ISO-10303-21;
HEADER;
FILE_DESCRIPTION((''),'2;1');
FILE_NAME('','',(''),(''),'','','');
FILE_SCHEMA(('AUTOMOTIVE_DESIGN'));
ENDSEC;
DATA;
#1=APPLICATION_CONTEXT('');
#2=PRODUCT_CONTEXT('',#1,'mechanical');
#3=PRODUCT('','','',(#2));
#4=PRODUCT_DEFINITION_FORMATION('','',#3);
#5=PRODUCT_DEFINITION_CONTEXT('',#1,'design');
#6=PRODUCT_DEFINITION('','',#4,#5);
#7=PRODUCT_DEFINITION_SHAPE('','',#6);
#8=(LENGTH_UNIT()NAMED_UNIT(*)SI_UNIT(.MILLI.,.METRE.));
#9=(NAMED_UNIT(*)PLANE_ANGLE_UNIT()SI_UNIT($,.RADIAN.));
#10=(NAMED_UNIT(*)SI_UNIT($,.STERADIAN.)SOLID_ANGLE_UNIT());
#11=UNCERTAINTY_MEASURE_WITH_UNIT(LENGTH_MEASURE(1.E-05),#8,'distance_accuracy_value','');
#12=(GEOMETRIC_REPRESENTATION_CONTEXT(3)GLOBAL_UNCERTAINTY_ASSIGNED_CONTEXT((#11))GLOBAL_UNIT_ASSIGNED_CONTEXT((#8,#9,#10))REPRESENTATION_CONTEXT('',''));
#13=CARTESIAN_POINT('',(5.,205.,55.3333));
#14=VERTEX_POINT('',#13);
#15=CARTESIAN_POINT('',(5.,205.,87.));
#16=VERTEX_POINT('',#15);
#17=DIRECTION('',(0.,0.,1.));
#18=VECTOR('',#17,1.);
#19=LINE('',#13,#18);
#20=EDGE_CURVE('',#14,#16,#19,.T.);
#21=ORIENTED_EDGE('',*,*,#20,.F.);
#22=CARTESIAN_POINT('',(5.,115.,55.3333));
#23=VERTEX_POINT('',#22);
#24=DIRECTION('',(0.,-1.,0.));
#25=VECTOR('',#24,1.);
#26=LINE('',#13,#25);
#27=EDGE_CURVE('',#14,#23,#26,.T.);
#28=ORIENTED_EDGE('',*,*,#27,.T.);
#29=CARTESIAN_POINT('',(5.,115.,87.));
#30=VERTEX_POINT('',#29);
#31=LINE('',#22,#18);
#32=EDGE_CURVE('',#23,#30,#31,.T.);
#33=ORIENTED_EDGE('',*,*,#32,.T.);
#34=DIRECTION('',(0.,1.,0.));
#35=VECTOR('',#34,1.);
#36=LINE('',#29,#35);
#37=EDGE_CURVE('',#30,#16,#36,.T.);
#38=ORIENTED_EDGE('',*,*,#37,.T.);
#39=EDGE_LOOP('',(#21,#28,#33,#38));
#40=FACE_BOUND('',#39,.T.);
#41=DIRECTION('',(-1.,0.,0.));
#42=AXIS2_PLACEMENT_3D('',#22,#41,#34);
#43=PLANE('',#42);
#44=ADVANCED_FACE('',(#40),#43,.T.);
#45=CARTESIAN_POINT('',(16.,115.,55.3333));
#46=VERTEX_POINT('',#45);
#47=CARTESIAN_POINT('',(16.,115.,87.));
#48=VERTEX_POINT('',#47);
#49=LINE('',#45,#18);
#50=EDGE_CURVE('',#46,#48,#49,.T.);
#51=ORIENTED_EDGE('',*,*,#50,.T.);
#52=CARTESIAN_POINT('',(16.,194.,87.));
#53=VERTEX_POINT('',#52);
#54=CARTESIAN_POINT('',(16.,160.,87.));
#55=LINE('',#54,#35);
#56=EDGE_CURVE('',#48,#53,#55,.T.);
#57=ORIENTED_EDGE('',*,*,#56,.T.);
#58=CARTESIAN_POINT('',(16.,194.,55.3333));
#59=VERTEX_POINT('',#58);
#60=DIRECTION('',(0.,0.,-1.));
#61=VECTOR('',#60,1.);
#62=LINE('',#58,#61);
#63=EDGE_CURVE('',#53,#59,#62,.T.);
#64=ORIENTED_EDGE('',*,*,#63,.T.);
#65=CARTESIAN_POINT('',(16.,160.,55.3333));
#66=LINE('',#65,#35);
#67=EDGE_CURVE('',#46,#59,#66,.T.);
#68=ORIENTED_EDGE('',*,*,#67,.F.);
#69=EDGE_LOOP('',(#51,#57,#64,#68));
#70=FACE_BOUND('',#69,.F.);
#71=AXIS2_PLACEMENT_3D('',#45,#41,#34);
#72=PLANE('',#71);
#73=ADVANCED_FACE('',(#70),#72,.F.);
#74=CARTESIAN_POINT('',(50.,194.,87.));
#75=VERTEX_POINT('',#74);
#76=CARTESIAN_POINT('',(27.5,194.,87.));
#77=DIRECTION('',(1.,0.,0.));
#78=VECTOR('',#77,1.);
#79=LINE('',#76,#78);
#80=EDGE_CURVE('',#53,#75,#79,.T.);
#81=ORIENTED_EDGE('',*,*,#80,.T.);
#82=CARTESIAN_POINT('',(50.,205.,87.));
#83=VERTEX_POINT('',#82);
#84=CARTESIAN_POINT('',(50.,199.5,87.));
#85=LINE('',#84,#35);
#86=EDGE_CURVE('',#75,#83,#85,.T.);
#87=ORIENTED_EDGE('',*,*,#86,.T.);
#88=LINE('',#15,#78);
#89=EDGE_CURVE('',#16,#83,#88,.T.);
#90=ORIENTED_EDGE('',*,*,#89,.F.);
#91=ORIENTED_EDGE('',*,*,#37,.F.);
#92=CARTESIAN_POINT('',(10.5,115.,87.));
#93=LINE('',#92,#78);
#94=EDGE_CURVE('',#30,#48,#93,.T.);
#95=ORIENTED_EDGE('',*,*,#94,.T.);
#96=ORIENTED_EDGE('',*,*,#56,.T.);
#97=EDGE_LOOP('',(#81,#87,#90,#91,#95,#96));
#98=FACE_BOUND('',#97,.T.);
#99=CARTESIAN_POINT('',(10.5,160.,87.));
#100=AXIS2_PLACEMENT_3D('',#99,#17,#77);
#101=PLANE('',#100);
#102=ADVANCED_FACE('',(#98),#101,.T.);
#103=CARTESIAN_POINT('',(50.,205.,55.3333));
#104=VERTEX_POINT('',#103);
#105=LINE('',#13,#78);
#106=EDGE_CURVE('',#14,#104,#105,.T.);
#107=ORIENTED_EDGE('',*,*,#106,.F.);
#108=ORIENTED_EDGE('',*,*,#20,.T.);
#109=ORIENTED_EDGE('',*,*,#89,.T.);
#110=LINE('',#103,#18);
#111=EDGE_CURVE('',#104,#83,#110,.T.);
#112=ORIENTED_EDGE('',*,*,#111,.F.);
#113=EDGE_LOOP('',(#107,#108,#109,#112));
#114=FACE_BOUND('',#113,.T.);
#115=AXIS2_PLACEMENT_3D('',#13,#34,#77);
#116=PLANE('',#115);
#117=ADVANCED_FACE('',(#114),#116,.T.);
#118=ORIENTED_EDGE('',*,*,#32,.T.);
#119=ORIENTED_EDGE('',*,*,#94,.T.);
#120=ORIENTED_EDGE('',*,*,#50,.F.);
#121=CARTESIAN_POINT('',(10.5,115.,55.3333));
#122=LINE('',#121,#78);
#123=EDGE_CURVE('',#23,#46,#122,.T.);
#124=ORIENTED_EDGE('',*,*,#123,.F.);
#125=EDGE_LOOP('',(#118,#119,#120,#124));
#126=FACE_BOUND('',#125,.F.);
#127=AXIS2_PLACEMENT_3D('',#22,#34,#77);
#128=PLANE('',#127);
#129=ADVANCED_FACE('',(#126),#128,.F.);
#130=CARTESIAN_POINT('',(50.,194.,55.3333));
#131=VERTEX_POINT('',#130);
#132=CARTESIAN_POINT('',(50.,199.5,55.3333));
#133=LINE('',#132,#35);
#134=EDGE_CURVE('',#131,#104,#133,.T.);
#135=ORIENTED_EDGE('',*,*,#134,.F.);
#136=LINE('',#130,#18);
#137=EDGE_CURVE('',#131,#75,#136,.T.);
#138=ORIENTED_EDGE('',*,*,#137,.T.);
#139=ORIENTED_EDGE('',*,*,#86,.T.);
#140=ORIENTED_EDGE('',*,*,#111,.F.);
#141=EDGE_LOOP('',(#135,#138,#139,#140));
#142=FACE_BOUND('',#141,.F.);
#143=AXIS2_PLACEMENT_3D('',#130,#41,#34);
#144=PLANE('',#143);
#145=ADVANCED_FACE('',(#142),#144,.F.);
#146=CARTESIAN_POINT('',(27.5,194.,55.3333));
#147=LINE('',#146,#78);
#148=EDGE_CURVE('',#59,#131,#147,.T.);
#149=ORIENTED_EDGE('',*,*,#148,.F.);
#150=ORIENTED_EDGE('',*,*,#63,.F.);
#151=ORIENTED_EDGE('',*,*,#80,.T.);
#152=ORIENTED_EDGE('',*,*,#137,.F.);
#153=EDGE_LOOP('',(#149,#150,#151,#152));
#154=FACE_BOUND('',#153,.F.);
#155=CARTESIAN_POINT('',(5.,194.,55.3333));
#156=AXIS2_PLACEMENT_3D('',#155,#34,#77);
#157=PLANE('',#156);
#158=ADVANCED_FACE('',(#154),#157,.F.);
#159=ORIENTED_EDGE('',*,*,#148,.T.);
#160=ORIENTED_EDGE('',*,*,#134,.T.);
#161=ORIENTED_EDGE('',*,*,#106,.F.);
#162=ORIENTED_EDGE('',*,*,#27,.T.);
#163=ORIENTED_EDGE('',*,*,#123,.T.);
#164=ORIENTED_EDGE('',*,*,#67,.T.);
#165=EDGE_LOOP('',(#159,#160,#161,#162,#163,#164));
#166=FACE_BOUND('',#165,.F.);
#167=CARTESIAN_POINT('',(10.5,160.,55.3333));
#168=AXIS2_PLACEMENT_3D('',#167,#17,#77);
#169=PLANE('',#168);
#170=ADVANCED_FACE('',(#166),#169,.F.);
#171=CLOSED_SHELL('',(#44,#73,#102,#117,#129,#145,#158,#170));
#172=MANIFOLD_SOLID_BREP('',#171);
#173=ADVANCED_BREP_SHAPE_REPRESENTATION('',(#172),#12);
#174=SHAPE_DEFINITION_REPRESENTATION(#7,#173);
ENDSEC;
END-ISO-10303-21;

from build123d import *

# Parameters (mm, degrees)
BOX054_W     = 45
BOX054_H     = 11
BOX054_DEPTH = 31.6667
BOX053_W     = 11
BOX053_H     = 90
BOX053_DEPTH = 31.6667


with BuildPart() as mueble_alto_corto_cocina:
    # Box054 → Box054 (new body)
    with BuildSketch(Plane(origin=(5, 194, 55.3333), x_dir=(1, 0, 0), z_dir=(0, 0, 1))):
        with Locations((22.5, 5.5)):
            Rectangle(BOX054_W, BOX054_H)
    extrude(amount=BOX054_DEPTH)


with BuildPart() as mueble_alto_cocina:
    # Box053 → Box053 (new body)
    with BuildSketch(Plane(origin=(5, 115, 55.3333), x_dir=(1, 0, 0), z_dir=(0, 0, 1))):
        with Locations((5.5, 45)):
            Rectangle(BOX053_W, BOX053_H)
    extrude(amount=BOX053_DEPTH)

    # Fusion018: union Mueble alto corto Cocina
    add(mueble_alto_corto_cocina.part)


solid = mueble_alto_cocina.part
